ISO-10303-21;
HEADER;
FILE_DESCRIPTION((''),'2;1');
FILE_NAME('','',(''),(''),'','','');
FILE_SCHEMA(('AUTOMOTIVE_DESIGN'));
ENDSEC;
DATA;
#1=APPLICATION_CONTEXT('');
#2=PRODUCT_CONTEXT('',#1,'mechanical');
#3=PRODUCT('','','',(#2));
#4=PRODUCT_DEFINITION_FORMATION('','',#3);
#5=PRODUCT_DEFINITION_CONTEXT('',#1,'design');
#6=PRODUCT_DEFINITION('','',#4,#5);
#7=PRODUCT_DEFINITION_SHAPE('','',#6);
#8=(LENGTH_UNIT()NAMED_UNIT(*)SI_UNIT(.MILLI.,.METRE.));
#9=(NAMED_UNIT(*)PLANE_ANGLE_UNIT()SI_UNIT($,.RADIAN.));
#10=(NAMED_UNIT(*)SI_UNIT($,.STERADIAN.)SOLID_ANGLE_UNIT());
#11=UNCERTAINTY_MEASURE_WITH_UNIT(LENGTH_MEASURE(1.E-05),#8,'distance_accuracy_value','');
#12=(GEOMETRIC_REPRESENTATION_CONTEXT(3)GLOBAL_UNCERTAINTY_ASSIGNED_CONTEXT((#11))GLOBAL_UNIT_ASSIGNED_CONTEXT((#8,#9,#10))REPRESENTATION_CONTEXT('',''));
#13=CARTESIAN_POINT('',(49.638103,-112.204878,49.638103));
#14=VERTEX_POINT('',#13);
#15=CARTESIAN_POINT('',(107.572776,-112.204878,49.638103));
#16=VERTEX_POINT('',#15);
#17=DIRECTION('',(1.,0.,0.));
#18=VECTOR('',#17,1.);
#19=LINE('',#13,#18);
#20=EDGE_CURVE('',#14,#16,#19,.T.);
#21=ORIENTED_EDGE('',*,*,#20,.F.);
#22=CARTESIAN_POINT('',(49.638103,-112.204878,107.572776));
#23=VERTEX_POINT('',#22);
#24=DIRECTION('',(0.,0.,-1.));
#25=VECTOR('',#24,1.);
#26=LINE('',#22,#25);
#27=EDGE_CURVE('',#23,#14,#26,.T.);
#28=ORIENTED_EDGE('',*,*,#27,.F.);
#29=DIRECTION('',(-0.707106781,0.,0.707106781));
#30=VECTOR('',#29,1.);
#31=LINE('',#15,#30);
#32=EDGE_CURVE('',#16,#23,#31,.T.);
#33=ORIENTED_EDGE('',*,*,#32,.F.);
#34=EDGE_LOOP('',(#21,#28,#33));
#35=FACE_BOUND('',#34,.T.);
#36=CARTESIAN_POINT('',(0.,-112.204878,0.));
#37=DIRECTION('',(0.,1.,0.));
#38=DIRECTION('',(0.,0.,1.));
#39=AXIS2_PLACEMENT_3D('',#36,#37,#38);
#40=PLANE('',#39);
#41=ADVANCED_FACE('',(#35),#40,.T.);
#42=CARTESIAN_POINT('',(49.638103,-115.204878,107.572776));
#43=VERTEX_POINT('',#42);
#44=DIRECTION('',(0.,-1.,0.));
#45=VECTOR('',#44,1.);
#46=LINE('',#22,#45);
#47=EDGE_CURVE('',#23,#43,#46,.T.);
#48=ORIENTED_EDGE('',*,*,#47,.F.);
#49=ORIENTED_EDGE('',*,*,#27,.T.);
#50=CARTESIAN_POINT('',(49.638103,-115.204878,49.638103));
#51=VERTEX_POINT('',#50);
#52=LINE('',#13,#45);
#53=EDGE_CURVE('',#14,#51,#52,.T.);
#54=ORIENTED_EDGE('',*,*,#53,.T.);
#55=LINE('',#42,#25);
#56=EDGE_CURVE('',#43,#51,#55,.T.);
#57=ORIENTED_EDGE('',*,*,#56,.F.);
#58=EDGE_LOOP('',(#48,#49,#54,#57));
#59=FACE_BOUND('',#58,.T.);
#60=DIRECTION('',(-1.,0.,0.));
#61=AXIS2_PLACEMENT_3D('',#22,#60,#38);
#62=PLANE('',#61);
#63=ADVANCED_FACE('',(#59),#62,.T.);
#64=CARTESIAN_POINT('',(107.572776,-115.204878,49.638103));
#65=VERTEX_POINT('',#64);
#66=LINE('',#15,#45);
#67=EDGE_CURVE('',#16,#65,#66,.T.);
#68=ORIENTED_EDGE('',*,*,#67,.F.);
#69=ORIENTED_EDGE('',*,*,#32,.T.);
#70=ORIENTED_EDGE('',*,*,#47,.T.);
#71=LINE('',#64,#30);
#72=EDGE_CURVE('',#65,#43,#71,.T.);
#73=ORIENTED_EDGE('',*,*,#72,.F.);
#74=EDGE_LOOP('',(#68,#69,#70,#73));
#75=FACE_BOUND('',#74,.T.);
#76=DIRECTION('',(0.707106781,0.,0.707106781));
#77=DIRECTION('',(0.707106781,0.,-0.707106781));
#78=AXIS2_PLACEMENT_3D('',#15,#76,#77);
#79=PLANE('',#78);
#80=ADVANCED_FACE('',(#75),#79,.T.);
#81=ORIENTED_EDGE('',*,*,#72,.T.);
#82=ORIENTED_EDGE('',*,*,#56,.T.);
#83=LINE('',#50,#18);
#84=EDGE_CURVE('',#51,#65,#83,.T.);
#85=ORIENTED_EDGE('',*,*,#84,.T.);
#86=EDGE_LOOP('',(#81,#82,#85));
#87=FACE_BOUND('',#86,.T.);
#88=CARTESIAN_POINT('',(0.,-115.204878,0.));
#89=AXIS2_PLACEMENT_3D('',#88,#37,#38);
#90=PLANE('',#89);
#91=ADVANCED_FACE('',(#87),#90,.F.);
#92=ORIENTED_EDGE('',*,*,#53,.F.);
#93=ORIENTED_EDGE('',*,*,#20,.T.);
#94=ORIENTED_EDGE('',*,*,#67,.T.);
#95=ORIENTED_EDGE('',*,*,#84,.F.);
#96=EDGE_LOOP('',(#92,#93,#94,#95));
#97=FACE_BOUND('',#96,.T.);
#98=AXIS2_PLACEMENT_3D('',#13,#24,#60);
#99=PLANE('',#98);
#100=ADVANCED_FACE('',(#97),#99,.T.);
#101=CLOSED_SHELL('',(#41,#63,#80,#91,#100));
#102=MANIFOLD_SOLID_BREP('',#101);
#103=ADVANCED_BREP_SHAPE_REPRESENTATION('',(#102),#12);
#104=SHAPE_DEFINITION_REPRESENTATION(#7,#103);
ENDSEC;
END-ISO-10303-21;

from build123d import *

# Parameters (mm, degrees)
BOSS_EXTRUDE1_DEPTH = 1.5


with BuildPart() as part:
    # Sketch1 → Boss-Extrude1 (new body, symmetric)
    with BuildSketch(Plane(origin=(0, -113.704878, 0), x_dir=(-1, 0, 0), z_dir=(0, -1, 0))):
        Polygon((-107.572775552, -49.638102576), (-49.638102576, -107.572775552), (-49.638102576, -49.638102576), align=None)
    extrude(amount=BOSS_EXTRUDE1_DEPTH, both=True)


solid = part.part
